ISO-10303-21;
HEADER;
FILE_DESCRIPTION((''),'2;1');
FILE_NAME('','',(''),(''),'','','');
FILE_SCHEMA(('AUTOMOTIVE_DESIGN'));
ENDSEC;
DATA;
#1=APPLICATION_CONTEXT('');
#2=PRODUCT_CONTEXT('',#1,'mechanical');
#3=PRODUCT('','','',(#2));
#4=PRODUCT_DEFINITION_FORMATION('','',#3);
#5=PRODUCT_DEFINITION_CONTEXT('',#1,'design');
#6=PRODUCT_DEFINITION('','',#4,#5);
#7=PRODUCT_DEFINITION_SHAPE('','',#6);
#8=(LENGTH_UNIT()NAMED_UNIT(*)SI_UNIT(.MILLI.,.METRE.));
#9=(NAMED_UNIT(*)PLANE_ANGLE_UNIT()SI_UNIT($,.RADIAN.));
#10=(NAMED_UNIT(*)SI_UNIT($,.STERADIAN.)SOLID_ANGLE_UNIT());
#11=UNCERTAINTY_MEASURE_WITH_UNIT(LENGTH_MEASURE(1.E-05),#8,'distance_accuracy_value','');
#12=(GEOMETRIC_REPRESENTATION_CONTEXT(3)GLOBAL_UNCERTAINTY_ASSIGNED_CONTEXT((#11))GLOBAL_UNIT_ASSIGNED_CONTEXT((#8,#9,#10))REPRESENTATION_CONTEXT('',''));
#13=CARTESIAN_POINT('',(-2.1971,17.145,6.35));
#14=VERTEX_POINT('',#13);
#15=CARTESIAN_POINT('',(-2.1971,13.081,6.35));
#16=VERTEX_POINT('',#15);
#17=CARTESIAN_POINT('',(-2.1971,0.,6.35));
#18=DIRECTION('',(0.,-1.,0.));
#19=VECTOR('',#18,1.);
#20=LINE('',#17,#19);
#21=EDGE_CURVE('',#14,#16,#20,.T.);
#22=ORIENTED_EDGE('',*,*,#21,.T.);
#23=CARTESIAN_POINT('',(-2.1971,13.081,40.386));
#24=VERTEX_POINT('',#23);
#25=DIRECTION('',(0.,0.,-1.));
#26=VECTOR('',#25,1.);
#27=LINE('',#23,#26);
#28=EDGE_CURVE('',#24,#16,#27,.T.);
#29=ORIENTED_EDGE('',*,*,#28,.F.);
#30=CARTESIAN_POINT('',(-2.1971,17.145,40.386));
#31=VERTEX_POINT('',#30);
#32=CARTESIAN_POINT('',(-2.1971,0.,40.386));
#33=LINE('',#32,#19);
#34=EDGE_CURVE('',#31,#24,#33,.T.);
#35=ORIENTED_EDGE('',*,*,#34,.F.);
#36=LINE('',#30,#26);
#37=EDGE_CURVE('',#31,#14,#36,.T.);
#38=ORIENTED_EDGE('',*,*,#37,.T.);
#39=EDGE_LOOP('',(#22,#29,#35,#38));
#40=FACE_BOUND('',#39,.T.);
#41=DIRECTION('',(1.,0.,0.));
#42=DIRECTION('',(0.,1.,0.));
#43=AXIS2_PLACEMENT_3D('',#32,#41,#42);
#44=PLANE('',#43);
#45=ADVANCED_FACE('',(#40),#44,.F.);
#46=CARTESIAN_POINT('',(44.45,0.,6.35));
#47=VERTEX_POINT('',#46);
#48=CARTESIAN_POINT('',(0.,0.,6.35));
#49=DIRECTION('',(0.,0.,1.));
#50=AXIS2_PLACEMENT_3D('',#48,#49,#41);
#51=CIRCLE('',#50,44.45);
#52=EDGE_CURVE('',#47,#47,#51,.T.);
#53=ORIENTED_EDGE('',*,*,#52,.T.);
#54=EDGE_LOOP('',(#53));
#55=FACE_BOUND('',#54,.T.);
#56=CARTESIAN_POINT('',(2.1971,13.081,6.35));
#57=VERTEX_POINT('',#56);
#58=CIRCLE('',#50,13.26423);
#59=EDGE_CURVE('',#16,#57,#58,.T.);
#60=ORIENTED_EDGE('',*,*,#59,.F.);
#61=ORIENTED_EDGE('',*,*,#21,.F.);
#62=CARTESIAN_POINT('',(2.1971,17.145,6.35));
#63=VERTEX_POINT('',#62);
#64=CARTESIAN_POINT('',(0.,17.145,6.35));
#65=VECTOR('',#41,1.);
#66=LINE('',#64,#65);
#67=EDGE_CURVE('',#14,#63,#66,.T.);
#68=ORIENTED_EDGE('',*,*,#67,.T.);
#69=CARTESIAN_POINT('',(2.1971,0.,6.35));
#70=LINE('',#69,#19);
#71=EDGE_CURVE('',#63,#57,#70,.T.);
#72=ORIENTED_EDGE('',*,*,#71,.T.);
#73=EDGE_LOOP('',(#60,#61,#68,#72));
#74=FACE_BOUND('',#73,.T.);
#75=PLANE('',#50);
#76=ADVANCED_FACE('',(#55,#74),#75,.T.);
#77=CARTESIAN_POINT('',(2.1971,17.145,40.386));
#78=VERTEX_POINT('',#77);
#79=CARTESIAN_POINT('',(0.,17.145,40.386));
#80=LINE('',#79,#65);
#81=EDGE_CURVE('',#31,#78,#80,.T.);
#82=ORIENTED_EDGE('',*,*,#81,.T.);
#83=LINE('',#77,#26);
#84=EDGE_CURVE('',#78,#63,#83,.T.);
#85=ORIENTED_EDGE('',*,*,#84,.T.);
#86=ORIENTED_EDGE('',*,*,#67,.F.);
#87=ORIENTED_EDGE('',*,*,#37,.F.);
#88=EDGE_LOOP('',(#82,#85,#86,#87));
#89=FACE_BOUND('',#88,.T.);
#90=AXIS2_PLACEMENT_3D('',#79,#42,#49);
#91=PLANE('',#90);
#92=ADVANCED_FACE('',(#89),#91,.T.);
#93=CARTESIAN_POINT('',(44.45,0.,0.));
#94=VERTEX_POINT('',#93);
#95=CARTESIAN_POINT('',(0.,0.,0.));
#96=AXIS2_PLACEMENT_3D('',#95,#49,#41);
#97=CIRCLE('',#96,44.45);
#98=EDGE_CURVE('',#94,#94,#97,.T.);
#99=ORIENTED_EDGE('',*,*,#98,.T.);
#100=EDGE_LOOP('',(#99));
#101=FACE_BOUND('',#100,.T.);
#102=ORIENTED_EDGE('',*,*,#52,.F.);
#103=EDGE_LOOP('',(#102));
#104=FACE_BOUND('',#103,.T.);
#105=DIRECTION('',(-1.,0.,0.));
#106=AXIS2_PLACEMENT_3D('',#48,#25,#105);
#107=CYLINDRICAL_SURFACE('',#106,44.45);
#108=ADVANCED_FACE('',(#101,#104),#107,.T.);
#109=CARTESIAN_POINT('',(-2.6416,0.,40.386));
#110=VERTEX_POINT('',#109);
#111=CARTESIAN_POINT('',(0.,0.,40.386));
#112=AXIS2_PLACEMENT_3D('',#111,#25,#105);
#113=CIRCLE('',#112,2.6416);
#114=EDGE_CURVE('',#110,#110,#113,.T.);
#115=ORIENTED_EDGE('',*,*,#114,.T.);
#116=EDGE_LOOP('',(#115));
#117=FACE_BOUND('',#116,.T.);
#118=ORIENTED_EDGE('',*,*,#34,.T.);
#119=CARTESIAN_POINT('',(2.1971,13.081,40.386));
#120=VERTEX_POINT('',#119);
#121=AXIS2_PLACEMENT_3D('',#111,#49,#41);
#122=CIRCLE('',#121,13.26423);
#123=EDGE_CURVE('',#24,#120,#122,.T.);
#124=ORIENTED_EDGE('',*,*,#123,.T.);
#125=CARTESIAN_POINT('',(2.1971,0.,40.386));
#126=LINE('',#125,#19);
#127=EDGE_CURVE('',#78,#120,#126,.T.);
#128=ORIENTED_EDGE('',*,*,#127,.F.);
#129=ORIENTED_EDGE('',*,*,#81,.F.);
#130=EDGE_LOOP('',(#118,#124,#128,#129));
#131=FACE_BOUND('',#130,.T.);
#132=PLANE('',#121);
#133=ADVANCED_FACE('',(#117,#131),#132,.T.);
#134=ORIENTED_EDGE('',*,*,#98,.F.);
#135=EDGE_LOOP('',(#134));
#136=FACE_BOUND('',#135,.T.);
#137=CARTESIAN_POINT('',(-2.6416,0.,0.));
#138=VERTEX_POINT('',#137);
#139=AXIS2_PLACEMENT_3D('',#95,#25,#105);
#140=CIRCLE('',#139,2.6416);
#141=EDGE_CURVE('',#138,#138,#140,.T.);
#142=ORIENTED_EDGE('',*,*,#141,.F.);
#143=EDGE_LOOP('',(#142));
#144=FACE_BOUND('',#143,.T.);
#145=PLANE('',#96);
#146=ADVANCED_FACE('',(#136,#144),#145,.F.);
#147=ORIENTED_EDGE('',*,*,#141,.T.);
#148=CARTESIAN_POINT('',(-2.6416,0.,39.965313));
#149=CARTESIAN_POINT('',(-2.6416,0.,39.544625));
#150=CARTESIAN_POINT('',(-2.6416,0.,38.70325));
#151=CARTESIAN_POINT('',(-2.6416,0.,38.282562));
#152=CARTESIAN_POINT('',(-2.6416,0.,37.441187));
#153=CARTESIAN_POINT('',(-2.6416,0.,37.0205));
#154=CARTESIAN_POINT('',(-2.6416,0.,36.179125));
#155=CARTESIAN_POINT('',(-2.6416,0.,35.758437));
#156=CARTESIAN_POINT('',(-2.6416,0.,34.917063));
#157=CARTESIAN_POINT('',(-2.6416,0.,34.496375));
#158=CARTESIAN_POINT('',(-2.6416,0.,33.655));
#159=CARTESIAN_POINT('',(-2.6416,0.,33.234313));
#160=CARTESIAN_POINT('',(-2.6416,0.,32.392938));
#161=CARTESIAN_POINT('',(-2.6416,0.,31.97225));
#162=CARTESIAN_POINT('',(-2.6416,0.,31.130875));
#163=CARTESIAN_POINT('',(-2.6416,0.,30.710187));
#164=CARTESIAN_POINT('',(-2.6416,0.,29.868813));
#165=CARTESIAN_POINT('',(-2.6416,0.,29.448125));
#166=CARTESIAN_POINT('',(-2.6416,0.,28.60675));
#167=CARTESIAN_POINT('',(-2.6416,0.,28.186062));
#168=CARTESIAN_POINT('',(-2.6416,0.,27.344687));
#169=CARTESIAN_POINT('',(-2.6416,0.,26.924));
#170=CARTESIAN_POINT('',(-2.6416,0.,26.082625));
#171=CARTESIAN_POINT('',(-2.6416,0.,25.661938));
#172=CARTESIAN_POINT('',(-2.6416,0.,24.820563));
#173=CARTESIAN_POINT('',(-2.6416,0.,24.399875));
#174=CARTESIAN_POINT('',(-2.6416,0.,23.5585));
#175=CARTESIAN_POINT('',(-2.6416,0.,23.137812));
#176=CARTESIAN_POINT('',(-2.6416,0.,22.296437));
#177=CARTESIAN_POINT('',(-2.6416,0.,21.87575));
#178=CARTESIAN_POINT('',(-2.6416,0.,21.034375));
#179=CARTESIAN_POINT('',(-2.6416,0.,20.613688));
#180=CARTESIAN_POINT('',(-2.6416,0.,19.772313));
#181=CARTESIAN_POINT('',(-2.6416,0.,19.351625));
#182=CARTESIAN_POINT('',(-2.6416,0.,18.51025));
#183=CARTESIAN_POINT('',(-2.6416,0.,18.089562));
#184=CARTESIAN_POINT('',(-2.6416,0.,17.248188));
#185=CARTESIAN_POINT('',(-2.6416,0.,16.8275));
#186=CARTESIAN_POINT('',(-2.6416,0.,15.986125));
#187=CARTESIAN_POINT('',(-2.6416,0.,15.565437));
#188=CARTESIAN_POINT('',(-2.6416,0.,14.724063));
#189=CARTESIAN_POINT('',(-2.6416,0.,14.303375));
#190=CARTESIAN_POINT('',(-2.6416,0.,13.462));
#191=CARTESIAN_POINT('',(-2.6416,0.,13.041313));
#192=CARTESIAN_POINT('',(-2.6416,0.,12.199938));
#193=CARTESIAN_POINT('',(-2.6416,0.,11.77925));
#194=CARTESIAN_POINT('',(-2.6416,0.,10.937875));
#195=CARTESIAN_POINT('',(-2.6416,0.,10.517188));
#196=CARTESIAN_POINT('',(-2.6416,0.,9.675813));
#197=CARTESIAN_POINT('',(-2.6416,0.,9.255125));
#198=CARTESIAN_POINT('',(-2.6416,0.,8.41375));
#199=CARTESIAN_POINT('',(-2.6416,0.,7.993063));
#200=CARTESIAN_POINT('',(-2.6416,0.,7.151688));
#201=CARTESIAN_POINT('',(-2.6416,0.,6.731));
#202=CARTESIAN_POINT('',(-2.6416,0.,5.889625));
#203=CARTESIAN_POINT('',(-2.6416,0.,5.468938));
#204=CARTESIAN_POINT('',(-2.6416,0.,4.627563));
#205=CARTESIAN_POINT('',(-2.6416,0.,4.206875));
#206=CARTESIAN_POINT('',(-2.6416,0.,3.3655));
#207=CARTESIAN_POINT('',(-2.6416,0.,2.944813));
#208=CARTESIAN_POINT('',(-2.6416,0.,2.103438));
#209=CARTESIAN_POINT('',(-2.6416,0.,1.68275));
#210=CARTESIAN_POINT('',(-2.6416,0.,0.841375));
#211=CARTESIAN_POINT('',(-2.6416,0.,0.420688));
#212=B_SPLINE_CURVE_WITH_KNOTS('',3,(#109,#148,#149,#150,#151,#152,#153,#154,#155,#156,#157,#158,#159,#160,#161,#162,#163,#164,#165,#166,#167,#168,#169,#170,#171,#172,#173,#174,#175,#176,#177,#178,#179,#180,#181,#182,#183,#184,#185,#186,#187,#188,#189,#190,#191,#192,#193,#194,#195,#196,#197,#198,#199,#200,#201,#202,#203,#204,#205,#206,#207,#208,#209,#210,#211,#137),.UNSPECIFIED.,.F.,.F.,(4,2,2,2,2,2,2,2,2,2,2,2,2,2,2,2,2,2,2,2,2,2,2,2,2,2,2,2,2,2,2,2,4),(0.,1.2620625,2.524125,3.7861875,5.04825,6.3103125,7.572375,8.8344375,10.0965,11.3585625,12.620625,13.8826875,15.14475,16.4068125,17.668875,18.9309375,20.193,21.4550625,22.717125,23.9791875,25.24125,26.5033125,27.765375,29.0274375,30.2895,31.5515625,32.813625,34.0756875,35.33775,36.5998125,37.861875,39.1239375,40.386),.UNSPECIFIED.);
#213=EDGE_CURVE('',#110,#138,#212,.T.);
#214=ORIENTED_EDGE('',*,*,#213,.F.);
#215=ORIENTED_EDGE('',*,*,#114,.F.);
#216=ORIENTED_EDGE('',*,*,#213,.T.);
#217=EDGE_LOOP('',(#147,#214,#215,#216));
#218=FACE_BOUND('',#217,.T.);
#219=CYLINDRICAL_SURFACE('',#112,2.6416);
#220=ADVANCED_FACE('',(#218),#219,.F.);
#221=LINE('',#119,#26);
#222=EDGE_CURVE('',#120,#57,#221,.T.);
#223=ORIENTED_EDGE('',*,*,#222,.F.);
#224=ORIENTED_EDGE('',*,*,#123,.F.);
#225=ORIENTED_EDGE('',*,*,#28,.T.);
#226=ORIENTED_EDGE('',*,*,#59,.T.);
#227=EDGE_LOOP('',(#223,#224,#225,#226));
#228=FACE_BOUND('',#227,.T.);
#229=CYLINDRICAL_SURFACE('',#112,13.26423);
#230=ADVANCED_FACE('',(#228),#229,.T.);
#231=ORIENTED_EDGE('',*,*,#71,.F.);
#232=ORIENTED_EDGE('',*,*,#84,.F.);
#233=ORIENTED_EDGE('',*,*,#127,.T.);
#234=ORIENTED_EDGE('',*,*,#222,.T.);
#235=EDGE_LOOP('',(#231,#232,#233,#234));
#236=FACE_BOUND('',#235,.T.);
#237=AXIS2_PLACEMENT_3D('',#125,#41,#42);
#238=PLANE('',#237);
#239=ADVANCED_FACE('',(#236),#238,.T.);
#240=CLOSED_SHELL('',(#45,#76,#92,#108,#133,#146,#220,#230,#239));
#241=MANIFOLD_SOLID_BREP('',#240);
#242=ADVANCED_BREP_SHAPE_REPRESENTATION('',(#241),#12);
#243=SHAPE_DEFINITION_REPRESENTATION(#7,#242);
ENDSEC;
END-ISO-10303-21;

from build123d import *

# Parameters (mm, degrees)
SKETCH1_R           = 44.45
BOSS_EXTRUDE1_DEPTH = 6.35
BOSS_EXTRUDE4_DEPTH = 34.036
SKETCH3_R           = 2.6416
CUT_EXTRUDE1_DEPTH  = 75.717026145


with BuildPart() as part:
    # Sketch1 → Boss-Extrude1 (new body)
    with BuildSketch(Plane.XY):
        Circle(SKETCH1_R)
    extrude(amount=BOSS_EXTRUDE1_DEPTH)

    # Sketch2 → Boss-Extrude4 (add)
    with BuildSketch(Plane.XY.offset(6.35)):
        with BuildLine():
            Line((-2.1971, 17.145), (2.1971, 17.145))
            Line((2.1971, 17.145), (2.1971, 13.081))
            ThreePointArc((2.1971, 13.081), (0, -13.264230449), (-2.1971, 13.081))
            Line((-2.1971, 13.081), (-2.1971, 17.145))
        make_face()
    extrude(amount=BOSS_EXTRUDE4_DEPTH)

    # Sketch3 → Cut-Extrude1 (cut, through all)
    with BuildSketch(Plane(origin=(0, 0, 0), x_dir=(-1, 0, 0), z_dir=(0, 0, -1))):
        Circle(SKETCH3_R)
    extrude(amount=-CUT_EXTRUDE1_DEPTH, mode=Mode.SUBTRACT)


solid = part.part
